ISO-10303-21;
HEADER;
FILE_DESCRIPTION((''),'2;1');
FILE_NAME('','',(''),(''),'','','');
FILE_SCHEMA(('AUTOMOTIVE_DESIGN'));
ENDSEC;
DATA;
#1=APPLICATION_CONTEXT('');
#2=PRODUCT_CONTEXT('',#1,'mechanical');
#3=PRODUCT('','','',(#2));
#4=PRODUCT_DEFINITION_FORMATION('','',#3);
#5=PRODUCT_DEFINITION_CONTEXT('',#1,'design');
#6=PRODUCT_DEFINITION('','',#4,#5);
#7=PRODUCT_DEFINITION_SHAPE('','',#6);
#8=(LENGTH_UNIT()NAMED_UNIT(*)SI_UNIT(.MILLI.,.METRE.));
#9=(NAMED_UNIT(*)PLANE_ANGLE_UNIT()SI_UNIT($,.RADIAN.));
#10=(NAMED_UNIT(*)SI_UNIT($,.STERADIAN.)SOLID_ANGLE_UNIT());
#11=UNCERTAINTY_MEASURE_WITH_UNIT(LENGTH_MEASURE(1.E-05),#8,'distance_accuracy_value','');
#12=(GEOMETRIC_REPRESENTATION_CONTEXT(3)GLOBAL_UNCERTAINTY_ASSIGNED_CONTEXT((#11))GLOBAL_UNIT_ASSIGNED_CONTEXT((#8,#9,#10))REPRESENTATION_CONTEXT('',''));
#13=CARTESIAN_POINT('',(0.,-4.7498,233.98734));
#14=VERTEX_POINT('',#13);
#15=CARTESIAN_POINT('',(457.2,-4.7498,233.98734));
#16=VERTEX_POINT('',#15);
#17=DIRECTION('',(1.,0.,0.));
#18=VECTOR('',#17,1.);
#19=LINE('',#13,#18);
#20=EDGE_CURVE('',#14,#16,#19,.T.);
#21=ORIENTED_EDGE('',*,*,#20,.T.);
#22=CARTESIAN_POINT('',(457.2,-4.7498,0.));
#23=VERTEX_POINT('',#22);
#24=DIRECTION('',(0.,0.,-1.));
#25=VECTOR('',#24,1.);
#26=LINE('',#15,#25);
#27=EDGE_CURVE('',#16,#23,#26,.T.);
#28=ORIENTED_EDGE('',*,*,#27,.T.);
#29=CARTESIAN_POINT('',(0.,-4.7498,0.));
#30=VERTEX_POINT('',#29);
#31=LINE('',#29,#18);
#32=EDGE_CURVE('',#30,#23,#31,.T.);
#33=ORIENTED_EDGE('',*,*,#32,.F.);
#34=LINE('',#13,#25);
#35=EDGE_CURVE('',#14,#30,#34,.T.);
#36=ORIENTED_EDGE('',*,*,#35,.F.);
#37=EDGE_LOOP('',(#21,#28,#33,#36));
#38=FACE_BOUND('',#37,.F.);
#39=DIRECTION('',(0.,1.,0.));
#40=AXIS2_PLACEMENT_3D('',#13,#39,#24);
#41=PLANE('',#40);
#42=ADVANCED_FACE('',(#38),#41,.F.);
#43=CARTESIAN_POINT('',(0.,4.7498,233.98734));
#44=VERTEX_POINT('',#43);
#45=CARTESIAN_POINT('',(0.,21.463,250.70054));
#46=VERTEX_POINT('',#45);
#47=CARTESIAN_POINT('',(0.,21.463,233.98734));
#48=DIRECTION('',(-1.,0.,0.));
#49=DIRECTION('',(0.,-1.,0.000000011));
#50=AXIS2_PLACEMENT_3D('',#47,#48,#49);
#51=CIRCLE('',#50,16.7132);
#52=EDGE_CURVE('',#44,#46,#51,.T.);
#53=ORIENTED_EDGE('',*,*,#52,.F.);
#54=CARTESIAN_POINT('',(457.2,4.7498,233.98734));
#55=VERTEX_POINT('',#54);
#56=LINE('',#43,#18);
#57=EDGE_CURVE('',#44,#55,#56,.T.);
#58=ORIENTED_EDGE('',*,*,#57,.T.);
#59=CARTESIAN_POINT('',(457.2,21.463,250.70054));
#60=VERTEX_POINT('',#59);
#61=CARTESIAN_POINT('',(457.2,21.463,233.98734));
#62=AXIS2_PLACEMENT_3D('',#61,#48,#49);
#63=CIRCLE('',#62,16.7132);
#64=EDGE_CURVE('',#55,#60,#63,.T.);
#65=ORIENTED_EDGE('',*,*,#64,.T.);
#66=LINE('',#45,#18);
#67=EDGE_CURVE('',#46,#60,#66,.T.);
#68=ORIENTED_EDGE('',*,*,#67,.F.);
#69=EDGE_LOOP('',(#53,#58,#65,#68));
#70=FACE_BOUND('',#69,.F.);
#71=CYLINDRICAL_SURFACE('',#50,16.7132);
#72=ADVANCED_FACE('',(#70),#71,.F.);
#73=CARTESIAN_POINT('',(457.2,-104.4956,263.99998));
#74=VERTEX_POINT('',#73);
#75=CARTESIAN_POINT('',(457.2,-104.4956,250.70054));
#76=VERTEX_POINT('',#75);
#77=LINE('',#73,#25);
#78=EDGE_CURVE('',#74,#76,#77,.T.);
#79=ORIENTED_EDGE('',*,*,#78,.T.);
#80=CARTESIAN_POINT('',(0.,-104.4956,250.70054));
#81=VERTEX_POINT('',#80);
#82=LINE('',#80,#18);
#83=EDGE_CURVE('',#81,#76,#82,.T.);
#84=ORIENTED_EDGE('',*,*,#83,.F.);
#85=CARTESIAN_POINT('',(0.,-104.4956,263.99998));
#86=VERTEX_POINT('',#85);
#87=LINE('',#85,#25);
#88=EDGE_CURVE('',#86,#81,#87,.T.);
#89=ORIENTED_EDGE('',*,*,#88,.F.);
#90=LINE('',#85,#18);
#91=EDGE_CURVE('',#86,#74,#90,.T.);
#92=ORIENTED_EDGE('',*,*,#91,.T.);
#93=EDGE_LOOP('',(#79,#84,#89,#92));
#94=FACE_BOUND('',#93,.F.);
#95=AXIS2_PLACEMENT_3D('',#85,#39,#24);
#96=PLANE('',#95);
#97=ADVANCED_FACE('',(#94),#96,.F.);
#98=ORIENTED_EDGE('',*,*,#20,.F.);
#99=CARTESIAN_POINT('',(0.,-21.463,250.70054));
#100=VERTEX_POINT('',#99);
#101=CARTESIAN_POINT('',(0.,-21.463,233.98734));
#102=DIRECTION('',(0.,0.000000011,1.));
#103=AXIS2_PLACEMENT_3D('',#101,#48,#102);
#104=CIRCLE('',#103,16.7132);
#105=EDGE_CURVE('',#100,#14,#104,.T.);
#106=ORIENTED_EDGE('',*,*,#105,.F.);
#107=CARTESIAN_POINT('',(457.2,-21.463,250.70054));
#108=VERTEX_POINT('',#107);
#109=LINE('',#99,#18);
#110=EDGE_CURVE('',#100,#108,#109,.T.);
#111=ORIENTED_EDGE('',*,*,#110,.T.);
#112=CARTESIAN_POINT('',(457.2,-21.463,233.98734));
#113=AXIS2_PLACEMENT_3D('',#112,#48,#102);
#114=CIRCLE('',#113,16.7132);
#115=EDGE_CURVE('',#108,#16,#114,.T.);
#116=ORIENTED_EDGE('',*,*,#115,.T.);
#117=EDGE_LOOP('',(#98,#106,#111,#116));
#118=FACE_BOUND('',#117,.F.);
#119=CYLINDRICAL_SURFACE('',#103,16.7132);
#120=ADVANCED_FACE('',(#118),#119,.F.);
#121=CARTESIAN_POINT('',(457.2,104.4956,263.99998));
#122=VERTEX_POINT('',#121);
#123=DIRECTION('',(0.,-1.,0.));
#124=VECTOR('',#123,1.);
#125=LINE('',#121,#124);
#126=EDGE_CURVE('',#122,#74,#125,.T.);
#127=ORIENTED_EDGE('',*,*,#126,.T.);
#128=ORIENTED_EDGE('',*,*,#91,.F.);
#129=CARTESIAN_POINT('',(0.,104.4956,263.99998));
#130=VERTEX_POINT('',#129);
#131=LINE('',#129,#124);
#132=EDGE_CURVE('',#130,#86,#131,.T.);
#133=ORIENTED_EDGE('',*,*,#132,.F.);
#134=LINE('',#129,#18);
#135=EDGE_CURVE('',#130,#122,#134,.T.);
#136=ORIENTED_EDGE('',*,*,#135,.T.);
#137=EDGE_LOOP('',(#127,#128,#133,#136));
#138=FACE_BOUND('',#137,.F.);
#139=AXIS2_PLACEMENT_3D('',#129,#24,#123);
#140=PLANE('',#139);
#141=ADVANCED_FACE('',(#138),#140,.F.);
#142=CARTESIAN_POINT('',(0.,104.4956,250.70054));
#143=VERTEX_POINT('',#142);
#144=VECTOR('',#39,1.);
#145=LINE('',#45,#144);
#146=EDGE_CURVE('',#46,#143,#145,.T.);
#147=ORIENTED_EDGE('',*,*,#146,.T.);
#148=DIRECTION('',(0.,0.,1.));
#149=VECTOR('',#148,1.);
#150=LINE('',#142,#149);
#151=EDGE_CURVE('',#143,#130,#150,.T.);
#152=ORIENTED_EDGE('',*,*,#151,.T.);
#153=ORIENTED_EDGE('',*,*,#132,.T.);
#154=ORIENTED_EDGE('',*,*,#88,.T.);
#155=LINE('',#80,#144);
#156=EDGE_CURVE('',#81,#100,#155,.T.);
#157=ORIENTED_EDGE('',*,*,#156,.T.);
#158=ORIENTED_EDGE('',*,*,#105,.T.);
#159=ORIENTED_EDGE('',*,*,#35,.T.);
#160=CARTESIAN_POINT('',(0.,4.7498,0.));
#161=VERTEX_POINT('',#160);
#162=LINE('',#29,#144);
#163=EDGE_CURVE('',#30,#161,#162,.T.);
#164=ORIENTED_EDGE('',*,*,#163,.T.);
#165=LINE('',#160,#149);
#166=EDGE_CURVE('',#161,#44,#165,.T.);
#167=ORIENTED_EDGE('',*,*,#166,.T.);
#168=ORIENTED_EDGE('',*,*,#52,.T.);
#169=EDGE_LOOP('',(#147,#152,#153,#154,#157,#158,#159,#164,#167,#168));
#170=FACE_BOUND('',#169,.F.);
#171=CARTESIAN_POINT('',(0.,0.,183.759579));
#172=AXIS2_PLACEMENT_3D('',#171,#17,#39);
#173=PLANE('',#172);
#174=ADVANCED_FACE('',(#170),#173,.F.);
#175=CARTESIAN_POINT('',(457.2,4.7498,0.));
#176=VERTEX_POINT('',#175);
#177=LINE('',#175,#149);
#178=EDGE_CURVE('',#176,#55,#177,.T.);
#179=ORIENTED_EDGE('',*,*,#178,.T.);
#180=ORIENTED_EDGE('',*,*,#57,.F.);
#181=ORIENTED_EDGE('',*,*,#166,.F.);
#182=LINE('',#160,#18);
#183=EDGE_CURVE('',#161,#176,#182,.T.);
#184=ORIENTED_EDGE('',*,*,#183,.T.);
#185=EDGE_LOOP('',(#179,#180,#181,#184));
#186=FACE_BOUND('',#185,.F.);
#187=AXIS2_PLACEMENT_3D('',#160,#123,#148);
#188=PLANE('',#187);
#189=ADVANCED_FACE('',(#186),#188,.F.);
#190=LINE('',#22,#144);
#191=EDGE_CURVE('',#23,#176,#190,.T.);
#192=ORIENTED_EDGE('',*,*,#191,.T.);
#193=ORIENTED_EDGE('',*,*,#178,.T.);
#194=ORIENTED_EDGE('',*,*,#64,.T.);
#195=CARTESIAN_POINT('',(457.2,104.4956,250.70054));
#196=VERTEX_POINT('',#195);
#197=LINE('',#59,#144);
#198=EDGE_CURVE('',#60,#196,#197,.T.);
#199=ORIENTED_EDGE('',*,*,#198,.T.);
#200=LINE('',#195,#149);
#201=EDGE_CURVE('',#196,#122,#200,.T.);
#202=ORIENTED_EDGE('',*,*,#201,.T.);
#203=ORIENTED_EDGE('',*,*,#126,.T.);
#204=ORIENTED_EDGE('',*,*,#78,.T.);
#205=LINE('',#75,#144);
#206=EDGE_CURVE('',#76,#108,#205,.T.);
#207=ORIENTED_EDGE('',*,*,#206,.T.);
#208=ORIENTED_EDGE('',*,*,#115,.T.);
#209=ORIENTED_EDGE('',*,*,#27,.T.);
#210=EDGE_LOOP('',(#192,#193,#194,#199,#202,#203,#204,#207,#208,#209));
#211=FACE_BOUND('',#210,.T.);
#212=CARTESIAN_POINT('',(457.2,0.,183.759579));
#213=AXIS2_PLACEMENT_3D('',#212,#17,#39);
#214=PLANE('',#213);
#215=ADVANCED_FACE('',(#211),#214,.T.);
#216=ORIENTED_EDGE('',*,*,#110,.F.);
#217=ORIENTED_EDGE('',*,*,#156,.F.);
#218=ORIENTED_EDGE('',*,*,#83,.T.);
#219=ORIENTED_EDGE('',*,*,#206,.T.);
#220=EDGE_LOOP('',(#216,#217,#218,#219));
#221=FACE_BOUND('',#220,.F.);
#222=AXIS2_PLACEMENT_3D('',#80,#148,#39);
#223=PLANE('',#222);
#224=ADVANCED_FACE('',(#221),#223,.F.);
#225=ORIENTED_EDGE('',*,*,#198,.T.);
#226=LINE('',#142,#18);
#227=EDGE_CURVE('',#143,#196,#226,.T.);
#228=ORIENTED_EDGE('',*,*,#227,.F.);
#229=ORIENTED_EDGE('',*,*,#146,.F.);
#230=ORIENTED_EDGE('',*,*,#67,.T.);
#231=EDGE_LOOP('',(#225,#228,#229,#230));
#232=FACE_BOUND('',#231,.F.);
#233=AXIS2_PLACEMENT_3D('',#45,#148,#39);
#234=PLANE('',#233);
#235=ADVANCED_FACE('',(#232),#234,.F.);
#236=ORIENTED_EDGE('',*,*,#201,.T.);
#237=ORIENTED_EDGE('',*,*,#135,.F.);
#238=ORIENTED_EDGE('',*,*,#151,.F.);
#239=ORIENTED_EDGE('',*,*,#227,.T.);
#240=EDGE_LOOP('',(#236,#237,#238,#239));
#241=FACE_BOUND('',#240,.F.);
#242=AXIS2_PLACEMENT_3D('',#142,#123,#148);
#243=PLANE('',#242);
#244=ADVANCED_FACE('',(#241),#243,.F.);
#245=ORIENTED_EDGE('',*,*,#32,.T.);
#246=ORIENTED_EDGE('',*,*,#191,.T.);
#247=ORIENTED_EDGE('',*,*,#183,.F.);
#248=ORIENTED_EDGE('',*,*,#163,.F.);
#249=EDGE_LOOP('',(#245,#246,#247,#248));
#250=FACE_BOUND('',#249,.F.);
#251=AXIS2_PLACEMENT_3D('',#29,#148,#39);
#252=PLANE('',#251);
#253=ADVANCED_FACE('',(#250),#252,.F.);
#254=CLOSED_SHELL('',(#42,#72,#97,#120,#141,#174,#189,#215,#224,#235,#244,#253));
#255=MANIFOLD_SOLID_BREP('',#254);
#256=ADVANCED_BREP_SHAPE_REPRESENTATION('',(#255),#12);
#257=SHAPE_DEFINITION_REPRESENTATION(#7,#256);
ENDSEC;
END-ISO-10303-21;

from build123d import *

# Parameters (mm, degrees)
F1_DEPTH = 457.2


with BuildPart() as f1:
    # F0 (on Right) → F1 (new body)
    with BuildSketch(Plane.YZ):
        with BuildLine():
            Line((-4.7498, 233.98734), (-4.7498, 0))
            Line((-4.7498, 0), (4.7498, 0))
            Line((4.7498, 0), (4.7498, 233.98734))
            ThreePointArc((4.7498, 233.98734), (9.644983, 245.805357), (21.463, 250.70054))
            Line((21.463, 250.70054), (104.4956, 250.70054))
            Line((104.4956, 250.70054), (104.4956, 263.99998))
            Line((104.4956, 263.99998), (0, 263.99998))
            Line((0, 263.99998), (-104.4956, 263.99998))
            Line((-104.4956, 263.99998), (-104.4956, 250.70054))
            Line((-104.4956, 250.70054), (-21.463, 250.70054))
            ThreePointArc((-21.463, 250.70054), (-9.644983, 245.805357), (-4.7498, 233.98734))
        make_face()
    extrude(amount=F1_DEPTH)


solid = f1.part
